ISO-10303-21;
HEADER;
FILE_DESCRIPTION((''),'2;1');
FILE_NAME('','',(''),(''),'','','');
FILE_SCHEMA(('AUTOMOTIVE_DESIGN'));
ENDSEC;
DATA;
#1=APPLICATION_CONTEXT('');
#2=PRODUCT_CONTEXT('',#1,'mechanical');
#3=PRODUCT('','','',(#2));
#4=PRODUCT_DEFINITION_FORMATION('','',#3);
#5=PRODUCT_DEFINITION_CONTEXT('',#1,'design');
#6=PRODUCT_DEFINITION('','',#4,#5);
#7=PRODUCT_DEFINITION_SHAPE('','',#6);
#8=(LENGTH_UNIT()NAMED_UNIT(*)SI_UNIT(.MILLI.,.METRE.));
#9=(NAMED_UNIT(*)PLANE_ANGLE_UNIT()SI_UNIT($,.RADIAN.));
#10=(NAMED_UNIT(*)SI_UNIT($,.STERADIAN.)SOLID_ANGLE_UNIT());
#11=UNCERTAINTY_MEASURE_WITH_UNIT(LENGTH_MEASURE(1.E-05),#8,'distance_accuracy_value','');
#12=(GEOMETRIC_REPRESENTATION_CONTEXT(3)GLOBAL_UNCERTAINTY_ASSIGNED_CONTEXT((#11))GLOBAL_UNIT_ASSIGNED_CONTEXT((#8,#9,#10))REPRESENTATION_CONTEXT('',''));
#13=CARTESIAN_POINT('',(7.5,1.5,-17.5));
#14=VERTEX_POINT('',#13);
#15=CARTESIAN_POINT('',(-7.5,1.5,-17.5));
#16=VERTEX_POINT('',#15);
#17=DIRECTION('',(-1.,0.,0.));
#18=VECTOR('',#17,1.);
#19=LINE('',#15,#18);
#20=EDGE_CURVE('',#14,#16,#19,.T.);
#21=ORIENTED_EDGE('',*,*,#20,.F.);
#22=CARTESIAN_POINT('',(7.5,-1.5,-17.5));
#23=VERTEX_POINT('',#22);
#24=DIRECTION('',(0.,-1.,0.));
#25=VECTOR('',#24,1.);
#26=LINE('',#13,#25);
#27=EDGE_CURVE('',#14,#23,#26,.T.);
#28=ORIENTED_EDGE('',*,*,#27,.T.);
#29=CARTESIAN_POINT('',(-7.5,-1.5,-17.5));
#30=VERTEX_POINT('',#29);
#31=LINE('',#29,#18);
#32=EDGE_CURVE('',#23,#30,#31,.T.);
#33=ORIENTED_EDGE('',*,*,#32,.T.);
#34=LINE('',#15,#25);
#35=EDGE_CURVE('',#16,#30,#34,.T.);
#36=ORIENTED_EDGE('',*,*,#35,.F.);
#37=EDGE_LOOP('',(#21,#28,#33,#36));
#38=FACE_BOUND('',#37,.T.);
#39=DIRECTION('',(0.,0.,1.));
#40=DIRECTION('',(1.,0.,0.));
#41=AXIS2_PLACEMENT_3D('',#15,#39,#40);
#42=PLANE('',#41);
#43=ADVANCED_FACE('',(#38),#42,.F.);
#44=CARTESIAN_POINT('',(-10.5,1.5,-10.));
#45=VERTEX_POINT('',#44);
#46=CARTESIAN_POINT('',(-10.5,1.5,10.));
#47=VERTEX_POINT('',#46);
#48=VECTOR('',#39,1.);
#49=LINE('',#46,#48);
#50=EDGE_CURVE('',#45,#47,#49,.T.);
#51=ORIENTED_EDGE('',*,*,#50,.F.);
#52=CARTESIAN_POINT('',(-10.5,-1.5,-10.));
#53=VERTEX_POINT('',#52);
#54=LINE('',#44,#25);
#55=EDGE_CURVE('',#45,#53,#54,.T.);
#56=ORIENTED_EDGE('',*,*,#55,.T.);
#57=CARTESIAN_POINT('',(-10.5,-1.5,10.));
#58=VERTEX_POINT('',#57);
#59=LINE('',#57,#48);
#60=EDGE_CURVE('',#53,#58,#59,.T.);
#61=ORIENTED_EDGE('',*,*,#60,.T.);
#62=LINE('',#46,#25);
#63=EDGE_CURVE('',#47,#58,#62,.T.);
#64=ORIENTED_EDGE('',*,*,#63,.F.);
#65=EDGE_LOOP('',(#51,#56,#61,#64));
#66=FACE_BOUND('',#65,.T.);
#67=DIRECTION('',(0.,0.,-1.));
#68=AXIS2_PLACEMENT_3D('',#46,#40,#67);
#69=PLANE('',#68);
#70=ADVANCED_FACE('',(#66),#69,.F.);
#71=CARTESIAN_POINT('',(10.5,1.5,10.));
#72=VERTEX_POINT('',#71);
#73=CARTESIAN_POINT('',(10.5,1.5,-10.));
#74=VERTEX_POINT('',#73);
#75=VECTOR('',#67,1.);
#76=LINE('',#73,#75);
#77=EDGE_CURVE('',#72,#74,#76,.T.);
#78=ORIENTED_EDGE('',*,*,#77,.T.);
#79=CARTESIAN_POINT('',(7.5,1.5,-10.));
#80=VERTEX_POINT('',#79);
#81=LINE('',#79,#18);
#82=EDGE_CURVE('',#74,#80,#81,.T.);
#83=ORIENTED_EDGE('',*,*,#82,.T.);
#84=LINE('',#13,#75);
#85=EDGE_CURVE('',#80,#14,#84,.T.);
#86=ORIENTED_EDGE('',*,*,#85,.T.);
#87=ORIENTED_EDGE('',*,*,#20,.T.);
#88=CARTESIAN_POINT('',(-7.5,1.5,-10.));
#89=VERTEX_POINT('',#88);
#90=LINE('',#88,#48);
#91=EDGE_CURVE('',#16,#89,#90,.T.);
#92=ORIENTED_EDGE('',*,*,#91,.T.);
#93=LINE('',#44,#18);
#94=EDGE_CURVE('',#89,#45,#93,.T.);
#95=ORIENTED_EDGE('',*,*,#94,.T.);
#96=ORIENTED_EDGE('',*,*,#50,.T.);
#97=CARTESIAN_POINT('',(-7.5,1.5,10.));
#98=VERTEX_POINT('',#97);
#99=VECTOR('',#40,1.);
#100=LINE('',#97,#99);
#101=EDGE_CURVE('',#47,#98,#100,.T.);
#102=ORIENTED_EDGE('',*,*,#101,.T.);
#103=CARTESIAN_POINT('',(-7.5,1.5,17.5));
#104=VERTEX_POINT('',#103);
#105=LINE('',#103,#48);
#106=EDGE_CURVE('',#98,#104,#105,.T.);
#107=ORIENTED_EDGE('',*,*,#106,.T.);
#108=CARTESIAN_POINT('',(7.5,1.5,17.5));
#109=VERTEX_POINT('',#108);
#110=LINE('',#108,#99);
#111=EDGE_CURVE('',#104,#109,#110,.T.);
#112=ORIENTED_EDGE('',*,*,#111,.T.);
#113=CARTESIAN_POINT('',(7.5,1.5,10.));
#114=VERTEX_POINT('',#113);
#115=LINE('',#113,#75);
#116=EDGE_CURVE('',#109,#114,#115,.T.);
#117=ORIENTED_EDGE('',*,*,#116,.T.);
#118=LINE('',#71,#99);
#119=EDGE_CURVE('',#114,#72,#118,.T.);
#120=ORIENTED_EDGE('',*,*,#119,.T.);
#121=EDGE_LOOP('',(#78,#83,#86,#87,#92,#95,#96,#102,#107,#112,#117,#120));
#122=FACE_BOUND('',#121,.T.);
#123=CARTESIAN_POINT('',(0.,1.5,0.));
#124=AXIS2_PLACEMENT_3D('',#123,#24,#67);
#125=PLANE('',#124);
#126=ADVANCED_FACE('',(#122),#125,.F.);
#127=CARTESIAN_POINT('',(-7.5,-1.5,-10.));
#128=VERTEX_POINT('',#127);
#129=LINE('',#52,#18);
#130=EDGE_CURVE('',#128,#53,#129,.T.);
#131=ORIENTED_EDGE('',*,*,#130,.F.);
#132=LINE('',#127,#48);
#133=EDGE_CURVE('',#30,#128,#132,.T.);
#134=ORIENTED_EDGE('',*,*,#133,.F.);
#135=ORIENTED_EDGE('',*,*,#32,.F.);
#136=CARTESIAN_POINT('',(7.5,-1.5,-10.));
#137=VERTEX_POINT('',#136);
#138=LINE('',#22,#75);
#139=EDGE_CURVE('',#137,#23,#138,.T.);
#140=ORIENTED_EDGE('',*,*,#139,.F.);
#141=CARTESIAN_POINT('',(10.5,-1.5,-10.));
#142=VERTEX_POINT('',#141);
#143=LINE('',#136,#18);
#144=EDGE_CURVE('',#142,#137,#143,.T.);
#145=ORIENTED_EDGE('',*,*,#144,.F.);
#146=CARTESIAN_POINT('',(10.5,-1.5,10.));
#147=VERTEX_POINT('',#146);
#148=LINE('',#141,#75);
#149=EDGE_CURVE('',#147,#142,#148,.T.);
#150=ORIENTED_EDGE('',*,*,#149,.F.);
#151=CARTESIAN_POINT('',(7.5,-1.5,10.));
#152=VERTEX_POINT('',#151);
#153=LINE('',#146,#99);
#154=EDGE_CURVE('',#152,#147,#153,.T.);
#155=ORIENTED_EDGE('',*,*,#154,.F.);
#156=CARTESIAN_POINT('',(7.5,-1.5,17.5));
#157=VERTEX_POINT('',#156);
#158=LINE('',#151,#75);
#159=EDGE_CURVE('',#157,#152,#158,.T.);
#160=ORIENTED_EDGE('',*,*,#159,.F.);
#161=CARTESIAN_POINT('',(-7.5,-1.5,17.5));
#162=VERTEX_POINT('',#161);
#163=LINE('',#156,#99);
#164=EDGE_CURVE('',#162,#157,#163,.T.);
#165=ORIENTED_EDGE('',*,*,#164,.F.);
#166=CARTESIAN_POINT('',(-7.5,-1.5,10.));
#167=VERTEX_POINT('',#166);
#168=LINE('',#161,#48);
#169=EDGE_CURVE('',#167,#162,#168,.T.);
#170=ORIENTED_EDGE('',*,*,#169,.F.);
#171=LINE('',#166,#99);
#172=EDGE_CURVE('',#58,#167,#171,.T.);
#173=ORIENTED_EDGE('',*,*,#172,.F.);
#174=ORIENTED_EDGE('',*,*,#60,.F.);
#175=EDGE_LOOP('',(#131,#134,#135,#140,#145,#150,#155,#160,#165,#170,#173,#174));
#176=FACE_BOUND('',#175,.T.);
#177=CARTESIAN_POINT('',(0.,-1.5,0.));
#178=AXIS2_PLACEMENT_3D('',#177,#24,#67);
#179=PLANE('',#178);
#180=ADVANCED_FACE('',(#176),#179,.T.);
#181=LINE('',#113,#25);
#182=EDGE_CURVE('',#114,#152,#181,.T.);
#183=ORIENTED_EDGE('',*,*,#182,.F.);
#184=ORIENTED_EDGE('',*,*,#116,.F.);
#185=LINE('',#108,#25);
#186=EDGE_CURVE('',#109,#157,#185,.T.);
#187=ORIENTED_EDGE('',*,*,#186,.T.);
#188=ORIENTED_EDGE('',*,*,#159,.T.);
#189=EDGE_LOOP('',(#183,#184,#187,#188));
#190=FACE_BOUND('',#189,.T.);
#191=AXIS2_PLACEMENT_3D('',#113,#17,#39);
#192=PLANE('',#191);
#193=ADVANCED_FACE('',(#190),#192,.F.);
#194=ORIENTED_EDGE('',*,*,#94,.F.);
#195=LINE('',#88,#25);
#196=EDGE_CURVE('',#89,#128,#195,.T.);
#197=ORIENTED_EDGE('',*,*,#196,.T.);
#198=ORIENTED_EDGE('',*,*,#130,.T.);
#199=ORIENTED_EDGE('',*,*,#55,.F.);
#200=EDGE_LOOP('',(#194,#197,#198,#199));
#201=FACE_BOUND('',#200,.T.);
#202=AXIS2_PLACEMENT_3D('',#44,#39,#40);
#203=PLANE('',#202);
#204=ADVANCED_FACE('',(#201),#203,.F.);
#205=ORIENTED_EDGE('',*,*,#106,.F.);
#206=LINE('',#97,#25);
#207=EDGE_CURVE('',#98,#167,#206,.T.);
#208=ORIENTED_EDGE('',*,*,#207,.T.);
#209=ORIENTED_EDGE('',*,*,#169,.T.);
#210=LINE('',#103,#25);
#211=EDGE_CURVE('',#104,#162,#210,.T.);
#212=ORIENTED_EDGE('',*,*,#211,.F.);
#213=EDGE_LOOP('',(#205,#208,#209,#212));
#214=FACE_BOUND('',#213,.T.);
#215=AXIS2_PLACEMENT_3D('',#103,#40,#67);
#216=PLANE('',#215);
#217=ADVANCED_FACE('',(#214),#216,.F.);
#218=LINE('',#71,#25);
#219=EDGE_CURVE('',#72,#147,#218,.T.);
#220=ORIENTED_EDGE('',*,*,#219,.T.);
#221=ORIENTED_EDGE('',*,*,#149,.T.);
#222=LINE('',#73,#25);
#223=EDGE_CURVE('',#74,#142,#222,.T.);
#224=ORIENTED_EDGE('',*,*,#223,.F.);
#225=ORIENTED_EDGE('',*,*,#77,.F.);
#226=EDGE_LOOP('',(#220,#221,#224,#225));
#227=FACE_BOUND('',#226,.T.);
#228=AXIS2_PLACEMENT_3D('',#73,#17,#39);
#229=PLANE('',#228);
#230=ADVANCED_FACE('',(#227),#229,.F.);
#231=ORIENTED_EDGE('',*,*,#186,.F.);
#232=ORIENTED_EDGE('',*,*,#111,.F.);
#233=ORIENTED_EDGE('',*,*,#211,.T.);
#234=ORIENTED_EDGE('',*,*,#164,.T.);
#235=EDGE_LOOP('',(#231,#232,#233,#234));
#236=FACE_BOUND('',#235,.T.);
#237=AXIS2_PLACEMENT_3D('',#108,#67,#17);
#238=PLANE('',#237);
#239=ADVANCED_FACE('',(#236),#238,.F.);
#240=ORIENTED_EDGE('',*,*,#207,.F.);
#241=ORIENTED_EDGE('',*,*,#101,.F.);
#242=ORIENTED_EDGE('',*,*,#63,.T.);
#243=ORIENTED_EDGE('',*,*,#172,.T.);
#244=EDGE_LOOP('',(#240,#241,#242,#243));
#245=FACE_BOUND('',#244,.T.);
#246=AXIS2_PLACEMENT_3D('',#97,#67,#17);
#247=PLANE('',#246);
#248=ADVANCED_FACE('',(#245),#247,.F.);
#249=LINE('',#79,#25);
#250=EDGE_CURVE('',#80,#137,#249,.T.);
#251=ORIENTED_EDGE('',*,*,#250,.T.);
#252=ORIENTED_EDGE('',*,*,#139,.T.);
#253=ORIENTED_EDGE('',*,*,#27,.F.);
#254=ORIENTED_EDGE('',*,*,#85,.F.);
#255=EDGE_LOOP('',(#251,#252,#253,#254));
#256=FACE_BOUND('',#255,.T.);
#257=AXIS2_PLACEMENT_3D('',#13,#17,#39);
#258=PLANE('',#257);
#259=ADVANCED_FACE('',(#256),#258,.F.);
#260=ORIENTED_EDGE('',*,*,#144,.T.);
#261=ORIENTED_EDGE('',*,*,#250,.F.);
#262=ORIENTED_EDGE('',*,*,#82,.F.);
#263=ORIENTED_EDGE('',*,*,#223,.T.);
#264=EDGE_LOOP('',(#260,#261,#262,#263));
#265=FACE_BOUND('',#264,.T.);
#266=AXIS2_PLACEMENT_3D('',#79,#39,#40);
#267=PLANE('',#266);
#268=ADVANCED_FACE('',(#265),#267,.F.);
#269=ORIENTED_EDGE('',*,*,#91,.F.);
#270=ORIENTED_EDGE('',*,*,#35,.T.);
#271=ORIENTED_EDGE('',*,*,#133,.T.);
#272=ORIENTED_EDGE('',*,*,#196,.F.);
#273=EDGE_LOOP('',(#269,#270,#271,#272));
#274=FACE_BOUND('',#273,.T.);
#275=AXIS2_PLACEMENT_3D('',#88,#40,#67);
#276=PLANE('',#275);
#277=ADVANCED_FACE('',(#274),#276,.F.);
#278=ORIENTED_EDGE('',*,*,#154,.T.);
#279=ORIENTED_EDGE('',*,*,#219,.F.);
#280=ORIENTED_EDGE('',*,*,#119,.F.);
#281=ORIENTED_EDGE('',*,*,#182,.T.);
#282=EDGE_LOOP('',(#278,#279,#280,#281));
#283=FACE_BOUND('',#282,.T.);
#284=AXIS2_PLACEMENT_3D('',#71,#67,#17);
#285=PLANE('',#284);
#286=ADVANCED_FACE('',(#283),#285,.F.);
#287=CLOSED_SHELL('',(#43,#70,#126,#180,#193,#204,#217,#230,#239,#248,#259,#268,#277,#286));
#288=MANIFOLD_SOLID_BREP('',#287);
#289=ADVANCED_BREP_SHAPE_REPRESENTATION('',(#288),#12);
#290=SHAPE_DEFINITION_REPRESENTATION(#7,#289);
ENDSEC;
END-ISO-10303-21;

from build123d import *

# Parameters (mm, degrees)
BOSS_EXTRUDE1_DEPTH = 1.5


with BuildPart() as part:
    # Sketch2 → Boss-Extrude1 (new body, symmetric)
    with BuildSketch(Plane(origin=(0, 0, 0), x_dir=(1, 0, 0), z_dir=(0, 1, 0))):
        Polygon((-10.5, 10), (-7.5, 10), (-7.5, 17.5), (7.5, 17.5), (7.5, 10), (10.5, 10), (10.5, -10), (7.5, -10), (7.5, -17.5), (-7.5, -17.5), (-7.5, -10), (-10.5, -10), align=None)
    extrude(amount=BOSS_EXTRUDE1_DEPTH, both=True)


solid = part.part
